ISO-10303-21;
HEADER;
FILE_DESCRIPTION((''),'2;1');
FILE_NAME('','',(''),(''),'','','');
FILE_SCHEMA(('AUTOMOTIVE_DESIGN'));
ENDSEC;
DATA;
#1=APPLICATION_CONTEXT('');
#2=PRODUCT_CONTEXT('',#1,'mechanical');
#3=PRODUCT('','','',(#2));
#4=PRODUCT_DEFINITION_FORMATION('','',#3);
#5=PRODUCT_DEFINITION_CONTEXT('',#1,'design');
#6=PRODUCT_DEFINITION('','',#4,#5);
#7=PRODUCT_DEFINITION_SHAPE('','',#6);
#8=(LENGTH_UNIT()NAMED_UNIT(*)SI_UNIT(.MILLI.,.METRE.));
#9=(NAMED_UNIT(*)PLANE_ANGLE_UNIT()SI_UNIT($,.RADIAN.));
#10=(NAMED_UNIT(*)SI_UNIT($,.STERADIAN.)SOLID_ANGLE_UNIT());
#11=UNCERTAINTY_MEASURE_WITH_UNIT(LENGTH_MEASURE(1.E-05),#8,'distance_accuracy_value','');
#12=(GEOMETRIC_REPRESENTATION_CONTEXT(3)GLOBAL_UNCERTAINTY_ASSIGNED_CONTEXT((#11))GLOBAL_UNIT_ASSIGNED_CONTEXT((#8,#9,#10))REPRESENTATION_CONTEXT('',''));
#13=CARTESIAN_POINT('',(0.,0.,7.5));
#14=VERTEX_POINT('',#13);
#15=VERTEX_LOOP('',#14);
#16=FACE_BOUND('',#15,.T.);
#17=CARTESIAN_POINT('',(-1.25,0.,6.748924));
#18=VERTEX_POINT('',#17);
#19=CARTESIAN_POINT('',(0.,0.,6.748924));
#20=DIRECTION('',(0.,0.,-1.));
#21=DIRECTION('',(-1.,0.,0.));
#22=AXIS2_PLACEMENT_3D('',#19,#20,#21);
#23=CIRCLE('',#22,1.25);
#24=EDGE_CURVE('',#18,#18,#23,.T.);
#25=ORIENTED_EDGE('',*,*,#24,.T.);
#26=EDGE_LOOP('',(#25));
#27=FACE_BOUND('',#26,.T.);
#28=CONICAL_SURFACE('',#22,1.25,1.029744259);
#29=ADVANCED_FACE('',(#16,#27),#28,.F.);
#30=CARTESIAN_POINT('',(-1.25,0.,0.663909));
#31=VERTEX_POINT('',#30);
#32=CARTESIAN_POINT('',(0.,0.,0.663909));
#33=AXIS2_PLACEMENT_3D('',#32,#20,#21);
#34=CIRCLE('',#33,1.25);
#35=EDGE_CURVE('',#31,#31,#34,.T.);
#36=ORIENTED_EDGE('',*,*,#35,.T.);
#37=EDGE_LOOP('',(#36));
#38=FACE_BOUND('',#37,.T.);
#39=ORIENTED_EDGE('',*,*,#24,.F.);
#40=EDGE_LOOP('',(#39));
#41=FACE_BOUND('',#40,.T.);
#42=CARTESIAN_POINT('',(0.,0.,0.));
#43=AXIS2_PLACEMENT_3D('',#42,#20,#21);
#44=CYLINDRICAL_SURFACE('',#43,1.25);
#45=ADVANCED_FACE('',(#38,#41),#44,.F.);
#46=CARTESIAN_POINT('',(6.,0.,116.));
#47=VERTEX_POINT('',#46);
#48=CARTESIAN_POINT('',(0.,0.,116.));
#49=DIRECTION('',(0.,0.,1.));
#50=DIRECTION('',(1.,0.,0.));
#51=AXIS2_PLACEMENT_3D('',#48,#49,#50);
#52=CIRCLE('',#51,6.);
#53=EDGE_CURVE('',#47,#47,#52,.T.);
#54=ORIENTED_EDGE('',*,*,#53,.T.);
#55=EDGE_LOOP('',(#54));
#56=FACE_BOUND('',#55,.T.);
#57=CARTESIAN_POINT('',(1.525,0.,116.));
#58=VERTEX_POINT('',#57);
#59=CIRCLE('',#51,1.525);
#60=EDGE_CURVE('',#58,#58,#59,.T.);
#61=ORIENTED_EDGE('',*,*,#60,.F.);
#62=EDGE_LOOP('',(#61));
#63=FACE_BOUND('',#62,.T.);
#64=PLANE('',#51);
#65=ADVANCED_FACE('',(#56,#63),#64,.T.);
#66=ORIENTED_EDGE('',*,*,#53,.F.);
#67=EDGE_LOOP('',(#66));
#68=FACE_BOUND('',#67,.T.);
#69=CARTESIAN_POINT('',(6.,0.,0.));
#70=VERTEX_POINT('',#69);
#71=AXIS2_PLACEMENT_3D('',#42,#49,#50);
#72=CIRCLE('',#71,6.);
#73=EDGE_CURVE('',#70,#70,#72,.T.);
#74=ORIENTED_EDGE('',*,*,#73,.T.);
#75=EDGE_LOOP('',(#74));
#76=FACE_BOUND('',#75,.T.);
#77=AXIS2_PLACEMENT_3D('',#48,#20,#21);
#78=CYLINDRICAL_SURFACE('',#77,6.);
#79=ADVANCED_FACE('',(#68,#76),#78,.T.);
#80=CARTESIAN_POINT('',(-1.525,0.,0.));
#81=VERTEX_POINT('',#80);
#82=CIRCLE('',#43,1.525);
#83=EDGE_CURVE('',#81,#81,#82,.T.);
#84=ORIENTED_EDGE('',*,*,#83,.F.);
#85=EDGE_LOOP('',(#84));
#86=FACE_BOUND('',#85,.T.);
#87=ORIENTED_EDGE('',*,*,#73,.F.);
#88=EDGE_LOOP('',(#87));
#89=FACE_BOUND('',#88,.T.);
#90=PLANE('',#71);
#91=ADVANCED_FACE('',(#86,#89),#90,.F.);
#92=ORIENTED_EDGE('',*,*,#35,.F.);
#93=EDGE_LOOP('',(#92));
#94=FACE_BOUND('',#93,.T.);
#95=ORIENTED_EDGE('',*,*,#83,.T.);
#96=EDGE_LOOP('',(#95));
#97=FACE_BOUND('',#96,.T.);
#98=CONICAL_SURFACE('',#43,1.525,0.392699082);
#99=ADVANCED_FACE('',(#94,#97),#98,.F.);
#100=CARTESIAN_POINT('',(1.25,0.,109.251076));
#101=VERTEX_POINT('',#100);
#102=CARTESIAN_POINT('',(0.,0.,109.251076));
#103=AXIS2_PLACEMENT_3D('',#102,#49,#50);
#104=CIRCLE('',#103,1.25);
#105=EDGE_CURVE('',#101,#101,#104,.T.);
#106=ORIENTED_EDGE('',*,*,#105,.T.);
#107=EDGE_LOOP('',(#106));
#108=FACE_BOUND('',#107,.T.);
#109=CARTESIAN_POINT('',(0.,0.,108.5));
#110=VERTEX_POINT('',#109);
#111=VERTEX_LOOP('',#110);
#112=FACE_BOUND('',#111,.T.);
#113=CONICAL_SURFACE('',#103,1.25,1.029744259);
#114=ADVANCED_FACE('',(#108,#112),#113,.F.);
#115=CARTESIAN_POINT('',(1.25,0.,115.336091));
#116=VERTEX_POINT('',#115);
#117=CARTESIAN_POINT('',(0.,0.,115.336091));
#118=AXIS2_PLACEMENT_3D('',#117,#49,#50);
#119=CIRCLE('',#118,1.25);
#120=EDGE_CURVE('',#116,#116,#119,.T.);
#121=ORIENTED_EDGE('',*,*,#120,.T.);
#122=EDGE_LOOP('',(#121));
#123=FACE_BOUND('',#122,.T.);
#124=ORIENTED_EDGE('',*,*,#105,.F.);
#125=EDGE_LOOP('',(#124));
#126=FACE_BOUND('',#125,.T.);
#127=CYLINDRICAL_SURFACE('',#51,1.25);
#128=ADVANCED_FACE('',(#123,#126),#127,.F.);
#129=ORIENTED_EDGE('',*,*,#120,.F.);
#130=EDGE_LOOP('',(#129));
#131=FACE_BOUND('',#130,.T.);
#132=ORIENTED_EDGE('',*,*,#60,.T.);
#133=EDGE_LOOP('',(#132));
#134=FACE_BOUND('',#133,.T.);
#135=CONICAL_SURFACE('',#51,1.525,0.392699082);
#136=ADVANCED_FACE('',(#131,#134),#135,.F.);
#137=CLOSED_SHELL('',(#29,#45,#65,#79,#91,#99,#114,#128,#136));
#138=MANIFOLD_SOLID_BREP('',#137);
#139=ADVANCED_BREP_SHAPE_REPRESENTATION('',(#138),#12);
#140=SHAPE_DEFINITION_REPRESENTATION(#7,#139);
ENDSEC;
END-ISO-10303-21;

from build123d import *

# Parameters (mm, degrees)
SKETCH_1_R                   = 6
EXTRUDE_1_DEPTH              = 116
HOLE_WIZARD_M3_3_D           = 2.5
HOLE_WIZARD_M3_3_DEPTH       = 6.748924226
HOLE_WIZARD_M3_3_CSINK_D     = 3.05
HOLE_WIZARD_M3_3_CSINK_ANGLE = 45
HOLE_WIZARD_M3_3_TIP         = 0.751075774
HOLE_WIZARD_M3_4_D           = 2.5
HOLE_WIZARD_M3_4_DEPTH       = 6.748924226
HOLE_WIZARD_M3_4_CSINK_D     = 3.05
HOLE_WIZARD_M3_4_CSINK_ANGLE = 45
HOLE_WIZARD_M3_4_TIP         = 0.751075774


with BuildPart() as part:
    # 草圖1 → 填料-伸長1 (new body)
    with BuildSketch(Plane.XY):
        Circle(SKETCH_1_R)
    extrude(amount=EXTRUDE_1_DEPTH)

    # M3 螺紋孔3
    with Locations(Plane.XY.offset(116)):
        with Locations((0, 0)):
            CounterSinkHole(HOLE_WIZARD_M3_3_D / 2, HOLE_WIZARD_M3_3_CSINK_D / 2, depth=HOLE_WIZARD_M3_3_DEPTH, counter_sink_angle=HOLE_WIZARD_M3_3_CSINK_ANGLE)
            with Locations((0, 0, -(HOLE_WIZARD_M3_3_DEPTH + HOLE_WIZARD_M3_3_TIP / 2))):  # 118° drill point
                Cone(0, HOLE_WIZARD_M3_3_D / 2, HOLE_WIZARD_M3_3_TIP, mode=Mode.SUBTRACT)

    # M3 螺紋孔4
    with Locations(Plane(origin=(0, 0, 0), x_dir=(-1, 0, 0), z_dir=(0, 0, -1))):
        with Locations((0, 0)):
            CounterSinkHole(HOLE_WIZARD_M3_4_D / 2, HOLE_WIZARD_M3_4_CSINK_D / 2, depth=HOLE_WIZARD_M3_4_DEPTH, counter_sink_angle=HOLE_WIZARD_M3_4_CSINK_ANGLE)
            with Locations((0, 0, -(HOLE_WIZARD_M3_4_DEPTH + HOLE_WIZARD_M3_4_TIP / 2))):  # 118° drill point
                Cone(0, HOLE_WIZARD_M3_4_D / 2, HOLE_WIZARD_M3_4_TIP, mode=Mode.SUBTRACT)


solid = part.part
